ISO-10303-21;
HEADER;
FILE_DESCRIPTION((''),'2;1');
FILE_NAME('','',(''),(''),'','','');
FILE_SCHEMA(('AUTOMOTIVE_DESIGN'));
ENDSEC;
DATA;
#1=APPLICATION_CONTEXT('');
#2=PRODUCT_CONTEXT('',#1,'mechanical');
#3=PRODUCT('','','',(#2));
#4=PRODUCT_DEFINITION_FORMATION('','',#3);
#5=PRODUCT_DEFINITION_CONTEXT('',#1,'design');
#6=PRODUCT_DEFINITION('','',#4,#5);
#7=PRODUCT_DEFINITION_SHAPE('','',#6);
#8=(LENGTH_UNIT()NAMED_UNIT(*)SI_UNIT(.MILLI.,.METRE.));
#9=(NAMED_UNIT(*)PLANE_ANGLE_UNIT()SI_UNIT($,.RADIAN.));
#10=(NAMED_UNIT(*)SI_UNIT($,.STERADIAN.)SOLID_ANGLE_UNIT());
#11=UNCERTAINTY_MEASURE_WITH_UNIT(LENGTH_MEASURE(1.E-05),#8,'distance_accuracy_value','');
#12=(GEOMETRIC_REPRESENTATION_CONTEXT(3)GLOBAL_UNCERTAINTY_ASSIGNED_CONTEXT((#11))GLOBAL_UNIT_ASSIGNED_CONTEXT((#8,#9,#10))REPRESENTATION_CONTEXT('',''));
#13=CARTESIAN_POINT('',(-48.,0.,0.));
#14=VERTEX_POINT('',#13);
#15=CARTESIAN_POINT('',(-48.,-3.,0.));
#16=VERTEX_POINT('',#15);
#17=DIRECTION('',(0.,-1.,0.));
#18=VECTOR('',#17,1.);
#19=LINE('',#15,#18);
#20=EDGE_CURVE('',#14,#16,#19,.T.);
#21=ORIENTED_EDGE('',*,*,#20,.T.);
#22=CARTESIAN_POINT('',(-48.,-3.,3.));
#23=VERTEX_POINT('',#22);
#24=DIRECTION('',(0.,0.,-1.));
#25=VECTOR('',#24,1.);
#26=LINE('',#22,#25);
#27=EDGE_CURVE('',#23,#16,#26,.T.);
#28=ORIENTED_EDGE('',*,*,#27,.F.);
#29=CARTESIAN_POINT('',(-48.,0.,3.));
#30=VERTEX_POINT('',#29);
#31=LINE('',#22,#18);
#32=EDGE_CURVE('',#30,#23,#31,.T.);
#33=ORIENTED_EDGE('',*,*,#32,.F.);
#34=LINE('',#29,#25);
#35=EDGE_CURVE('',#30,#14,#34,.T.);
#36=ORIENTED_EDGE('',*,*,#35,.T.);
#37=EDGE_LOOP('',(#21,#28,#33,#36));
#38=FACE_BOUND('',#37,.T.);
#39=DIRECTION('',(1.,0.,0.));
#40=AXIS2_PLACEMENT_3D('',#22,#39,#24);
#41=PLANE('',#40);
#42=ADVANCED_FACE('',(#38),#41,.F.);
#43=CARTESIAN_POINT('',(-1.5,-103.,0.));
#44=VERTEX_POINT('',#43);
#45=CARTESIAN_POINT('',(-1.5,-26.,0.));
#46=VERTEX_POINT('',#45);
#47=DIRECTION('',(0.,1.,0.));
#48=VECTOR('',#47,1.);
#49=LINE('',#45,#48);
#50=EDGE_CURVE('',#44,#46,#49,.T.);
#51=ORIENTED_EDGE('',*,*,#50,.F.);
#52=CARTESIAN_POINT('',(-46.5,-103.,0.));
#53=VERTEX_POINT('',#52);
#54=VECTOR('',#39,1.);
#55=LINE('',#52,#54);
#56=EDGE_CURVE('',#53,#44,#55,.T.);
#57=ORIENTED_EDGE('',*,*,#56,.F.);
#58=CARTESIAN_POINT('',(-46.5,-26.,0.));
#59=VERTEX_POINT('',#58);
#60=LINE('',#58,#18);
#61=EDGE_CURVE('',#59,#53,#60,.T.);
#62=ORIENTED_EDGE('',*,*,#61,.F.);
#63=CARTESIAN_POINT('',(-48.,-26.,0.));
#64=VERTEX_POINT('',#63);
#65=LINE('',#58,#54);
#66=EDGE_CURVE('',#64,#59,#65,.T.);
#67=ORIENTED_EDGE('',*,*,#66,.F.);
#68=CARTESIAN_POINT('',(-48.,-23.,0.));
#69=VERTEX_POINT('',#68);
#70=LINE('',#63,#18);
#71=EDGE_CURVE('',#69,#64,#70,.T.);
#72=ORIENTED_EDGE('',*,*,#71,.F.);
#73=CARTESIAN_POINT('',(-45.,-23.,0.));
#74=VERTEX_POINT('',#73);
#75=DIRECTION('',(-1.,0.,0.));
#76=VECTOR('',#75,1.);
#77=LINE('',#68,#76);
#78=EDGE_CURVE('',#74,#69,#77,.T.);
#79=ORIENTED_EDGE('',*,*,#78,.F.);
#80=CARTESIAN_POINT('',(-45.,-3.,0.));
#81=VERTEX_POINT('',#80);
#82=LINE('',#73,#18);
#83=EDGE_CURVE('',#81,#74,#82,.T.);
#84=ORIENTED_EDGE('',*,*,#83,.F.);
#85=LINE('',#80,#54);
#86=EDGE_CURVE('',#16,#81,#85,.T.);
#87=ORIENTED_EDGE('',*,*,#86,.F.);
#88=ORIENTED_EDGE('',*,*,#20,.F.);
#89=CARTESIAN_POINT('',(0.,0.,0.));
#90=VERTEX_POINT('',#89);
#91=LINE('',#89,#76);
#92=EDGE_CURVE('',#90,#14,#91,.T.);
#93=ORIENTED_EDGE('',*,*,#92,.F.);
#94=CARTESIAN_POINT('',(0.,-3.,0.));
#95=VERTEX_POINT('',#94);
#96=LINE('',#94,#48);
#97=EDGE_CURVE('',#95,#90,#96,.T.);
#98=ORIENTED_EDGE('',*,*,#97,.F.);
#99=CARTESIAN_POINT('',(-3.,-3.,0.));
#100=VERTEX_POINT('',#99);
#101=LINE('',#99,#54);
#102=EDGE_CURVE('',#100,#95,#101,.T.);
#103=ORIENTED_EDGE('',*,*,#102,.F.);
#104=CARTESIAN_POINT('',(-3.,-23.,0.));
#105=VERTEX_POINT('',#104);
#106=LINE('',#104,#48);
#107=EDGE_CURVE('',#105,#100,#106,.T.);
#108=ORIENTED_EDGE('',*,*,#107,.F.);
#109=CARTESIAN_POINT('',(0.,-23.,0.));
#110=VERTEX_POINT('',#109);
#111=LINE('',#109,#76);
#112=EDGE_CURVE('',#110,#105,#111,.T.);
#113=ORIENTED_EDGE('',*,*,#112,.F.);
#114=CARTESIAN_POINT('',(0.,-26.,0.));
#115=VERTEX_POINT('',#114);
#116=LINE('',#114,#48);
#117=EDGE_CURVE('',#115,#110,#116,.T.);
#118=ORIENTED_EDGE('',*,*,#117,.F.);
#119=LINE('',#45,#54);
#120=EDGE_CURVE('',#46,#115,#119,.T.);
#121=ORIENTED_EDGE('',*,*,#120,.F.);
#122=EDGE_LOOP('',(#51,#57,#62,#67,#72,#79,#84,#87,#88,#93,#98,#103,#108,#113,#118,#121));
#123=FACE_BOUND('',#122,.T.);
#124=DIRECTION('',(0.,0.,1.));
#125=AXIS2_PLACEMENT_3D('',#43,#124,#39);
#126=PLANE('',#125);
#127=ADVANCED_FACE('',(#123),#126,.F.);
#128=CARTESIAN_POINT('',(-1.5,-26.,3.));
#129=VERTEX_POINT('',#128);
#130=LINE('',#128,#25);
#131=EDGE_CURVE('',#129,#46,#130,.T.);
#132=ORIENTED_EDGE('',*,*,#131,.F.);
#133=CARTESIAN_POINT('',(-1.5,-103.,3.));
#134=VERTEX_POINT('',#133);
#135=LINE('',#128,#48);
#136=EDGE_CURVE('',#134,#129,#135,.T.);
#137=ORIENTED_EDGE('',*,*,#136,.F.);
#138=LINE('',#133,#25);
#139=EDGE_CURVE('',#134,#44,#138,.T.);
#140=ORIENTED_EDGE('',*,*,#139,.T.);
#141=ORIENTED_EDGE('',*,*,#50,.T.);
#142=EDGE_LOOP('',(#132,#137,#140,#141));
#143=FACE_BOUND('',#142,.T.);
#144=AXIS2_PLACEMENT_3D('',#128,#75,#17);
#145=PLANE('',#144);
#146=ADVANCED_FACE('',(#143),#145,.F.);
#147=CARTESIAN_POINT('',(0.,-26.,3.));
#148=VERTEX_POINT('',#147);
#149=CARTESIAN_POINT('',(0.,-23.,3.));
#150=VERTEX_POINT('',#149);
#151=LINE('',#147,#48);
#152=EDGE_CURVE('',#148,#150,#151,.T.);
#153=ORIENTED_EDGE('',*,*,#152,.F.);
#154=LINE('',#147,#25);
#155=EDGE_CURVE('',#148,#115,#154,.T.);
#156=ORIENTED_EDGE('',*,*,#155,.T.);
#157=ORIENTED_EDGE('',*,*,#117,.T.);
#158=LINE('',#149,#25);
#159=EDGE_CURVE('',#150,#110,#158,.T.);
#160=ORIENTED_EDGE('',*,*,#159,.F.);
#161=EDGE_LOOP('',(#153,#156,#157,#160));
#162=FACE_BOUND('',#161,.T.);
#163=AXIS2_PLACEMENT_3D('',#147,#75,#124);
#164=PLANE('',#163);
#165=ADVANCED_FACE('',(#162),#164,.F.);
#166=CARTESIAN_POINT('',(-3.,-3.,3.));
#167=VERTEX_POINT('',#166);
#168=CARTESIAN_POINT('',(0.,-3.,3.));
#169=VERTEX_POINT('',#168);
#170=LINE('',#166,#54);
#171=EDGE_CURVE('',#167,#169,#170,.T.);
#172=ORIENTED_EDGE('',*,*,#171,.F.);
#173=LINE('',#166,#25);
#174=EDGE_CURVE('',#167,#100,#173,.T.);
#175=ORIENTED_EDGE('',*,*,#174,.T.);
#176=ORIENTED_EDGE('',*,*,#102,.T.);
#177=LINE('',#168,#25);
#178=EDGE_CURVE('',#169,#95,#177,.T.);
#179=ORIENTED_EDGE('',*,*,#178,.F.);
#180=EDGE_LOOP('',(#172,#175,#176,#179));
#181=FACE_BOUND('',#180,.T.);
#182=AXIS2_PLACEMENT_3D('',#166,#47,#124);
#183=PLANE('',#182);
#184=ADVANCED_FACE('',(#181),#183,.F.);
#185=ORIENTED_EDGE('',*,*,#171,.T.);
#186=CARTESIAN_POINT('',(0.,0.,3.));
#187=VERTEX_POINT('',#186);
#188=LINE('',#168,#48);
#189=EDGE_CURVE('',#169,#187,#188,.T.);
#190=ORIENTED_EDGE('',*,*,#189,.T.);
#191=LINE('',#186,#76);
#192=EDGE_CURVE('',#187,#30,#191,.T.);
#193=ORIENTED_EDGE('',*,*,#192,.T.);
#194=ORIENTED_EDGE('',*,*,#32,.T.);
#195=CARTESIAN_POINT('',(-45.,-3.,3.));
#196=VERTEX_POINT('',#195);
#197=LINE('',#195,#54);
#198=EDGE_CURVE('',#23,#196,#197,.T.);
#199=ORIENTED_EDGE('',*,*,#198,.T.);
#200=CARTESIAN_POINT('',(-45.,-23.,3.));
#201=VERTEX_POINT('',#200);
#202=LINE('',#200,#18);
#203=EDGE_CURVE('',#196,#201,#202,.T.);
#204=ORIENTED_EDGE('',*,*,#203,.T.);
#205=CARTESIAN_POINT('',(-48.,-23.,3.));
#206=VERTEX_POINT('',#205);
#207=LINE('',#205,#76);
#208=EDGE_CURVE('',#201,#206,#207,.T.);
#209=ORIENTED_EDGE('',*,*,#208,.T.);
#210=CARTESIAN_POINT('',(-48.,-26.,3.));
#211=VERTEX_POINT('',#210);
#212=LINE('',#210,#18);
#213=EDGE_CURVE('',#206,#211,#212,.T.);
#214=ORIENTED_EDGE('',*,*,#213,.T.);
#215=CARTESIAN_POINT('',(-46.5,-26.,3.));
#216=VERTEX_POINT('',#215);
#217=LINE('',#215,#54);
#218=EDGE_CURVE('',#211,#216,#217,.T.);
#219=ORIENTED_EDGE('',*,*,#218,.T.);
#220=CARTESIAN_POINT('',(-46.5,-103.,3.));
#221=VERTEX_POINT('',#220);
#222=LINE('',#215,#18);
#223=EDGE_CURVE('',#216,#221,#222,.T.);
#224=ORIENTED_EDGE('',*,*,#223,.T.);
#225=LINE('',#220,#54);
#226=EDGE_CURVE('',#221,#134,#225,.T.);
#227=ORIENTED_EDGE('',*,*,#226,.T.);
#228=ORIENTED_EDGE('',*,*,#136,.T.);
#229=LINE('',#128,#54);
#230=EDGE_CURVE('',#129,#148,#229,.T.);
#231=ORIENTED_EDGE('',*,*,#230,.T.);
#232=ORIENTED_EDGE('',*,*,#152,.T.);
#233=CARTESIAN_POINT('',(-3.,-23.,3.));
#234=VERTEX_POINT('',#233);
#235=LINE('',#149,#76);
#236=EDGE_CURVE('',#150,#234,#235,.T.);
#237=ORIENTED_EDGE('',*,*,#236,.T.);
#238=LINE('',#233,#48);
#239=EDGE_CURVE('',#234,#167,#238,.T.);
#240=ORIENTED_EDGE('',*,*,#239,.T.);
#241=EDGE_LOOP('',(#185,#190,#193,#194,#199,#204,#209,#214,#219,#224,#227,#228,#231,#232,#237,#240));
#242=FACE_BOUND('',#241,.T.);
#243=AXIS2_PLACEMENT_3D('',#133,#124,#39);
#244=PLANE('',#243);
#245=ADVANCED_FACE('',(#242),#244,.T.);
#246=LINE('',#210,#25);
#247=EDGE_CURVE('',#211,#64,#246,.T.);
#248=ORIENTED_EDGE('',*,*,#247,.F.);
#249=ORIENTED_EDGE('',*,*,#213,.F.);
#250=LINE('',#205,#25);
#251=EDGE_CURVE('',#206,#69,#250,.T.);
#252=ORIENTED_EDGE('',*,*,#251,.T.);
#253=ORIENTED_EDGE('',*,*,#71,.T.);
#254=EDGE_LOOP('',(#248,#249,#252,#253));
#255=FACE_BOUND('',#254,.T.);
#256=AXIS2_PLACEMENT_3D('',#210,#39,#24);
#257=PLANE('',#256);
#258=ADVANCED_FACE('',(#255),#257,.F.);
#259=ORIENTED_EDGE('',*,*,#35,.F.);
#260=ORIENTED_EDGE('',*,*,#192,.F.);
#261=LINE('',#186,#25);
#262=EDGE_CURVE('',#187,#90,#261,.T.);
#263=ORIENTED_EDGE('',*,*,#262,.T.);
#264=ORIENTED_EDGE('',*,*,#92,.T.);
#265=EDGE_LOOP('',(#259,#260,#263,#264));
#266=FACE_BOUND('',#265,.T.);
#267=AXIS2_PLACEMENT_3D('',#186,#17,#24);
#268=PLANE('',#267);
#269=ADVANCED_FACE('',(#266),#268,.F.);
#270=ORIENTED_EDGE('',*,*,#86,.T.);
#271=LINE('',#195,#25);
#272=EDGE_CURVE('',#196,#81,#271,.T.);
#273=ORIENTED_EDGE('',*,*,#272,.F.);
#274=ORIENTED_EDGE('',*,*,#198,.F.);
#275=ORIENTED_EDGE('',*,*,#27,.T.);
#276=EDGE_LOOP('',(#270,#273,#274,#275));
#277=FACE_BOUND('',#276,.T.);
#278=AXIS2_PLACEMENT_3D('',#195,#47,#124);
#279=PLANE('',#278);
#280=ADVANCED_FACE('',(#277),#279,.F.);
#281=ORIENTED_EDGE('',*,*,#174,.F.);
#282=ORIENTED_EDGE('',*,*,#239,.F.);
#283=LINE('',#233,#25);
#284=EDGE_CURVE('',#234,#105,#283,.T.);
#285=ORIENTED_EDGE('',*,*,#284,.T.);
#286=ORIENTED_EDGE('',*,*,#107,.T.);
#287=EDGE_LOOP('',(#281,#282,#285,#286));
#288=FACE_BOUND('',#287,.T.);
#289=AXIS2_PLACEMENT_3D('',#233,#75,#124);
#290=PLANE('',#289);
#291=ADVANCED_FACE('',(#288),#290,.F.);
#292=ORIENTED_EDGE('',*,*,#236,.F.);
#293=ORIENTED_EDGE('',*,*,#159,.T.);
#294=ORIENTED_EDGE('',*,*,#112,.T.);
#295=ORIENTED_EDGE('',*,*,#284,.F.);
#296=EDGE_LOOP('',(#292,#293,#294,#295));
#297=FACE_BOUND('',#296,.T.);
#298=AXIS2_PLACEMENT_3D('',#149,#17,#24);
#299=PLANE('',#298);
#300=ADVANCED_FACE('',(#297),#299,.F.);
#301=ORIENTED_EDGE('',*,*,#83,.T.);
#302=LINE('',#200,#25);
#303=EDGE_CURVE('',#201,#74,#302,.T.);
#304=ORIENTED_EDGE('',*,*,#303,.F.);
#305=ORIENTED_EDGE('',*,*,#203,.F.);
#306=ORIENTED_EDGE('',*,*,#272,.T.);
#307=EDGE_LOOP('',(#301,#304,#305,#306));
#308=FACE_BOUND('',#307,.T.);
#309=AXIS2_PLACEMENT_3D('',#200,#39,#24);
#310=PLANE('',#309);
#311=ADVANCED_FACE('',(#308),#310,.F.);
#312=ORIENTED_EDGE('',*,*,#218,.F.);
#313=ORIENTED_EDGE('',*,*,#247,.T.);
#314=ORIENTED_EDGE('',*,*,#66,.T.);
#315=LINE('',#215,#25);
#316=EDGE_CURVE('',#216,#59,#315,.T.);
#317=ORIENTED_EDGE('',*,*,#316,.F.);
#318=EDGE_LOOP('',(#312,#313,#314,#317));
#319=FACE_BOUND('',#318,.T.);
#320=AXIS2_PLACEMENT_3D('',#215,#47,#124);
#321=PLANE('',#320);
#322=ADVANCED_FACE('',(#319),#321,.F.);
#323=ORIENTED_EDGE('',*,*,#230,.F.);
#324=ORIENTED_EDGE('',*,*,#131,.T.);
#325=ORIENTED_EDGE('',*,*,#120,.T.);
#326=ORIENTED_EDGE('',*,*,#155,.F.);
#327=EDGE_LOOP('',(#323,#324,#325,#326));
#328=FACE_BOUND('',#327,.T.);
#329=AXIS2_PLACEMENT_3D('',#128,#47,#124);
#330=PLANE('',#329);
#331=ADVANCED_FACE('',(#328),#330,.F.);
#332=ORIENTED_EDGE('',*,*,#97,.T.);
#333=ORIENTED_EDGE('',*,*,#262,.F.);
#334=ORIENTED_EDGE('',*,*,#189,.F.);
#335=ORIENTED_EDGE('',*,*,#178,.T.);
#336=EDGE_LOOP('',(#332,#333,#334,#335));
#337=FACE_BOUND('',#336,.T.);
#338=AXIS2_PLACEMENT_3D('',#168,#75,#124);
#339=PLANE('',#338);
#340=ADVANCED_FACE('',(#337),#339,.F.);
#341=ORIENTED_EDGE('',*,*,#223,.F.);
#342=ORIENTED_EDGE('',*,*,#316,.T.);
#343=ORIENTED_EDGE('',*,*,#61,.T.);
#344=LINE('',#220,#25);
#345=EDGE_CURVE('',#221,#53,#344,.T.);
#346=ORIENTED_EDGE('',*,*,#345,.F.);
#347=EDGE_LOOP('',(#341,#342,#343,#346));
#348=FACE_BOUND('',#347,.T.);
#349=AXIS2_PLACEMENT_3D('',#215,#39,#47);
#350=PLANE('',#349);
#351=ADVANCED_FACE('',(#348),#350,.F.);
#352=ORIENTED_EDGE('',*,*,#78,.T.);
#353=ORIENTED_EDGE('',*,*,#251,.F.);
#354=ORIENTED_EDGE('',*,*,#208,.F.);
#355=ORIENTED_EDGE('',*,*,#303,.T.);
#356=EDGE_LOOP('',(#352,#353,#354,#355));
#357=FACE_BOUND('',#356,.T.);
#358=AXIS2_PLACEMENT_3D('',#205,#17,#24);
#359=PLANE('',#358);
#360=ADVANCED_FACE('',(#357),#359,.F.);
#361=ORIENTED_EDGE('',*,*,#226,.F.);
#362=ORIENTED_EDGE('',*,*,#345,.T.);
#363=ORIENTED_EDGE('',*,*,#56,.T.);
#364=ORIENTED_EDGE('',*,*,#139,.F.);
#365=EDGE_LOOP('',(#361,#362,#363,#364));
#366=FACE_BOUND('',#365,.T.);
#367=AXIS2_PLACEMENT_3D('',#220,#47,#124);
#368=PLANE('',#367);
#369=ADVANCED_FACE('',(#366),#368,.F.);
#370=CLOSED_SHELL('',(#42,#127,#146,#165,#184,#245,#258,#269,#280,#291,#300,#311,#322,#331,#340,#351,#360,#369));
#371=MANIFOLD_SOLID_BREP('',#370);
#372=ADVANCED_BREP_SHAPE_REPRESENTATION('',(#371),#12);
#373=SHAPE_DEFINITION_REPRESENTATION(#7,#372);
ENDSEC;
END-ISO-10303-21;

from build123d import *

# Parameters (mm, degrees)
EXTRUSION1_DEPTH = 3


with BuildPart() as part:
    # Esquisse1 → Extrusion1 (new body)
    with BuildSketch(Plane.XY):
        Polygon((-1.5, -26), (0, -26), (0, -23), (-3, -23), (-3, -3), (0, -3), (0, 0), (-48, 0), (-48, -3), (-45, -3), (-45, -23), (-48, -23), (-48, -26), (-46.5, -26), (-46.5, -103), (-1.5, -103), align=None)
    extrude(amount=EXTRUSION1_DEPTH)


solid = part.part
